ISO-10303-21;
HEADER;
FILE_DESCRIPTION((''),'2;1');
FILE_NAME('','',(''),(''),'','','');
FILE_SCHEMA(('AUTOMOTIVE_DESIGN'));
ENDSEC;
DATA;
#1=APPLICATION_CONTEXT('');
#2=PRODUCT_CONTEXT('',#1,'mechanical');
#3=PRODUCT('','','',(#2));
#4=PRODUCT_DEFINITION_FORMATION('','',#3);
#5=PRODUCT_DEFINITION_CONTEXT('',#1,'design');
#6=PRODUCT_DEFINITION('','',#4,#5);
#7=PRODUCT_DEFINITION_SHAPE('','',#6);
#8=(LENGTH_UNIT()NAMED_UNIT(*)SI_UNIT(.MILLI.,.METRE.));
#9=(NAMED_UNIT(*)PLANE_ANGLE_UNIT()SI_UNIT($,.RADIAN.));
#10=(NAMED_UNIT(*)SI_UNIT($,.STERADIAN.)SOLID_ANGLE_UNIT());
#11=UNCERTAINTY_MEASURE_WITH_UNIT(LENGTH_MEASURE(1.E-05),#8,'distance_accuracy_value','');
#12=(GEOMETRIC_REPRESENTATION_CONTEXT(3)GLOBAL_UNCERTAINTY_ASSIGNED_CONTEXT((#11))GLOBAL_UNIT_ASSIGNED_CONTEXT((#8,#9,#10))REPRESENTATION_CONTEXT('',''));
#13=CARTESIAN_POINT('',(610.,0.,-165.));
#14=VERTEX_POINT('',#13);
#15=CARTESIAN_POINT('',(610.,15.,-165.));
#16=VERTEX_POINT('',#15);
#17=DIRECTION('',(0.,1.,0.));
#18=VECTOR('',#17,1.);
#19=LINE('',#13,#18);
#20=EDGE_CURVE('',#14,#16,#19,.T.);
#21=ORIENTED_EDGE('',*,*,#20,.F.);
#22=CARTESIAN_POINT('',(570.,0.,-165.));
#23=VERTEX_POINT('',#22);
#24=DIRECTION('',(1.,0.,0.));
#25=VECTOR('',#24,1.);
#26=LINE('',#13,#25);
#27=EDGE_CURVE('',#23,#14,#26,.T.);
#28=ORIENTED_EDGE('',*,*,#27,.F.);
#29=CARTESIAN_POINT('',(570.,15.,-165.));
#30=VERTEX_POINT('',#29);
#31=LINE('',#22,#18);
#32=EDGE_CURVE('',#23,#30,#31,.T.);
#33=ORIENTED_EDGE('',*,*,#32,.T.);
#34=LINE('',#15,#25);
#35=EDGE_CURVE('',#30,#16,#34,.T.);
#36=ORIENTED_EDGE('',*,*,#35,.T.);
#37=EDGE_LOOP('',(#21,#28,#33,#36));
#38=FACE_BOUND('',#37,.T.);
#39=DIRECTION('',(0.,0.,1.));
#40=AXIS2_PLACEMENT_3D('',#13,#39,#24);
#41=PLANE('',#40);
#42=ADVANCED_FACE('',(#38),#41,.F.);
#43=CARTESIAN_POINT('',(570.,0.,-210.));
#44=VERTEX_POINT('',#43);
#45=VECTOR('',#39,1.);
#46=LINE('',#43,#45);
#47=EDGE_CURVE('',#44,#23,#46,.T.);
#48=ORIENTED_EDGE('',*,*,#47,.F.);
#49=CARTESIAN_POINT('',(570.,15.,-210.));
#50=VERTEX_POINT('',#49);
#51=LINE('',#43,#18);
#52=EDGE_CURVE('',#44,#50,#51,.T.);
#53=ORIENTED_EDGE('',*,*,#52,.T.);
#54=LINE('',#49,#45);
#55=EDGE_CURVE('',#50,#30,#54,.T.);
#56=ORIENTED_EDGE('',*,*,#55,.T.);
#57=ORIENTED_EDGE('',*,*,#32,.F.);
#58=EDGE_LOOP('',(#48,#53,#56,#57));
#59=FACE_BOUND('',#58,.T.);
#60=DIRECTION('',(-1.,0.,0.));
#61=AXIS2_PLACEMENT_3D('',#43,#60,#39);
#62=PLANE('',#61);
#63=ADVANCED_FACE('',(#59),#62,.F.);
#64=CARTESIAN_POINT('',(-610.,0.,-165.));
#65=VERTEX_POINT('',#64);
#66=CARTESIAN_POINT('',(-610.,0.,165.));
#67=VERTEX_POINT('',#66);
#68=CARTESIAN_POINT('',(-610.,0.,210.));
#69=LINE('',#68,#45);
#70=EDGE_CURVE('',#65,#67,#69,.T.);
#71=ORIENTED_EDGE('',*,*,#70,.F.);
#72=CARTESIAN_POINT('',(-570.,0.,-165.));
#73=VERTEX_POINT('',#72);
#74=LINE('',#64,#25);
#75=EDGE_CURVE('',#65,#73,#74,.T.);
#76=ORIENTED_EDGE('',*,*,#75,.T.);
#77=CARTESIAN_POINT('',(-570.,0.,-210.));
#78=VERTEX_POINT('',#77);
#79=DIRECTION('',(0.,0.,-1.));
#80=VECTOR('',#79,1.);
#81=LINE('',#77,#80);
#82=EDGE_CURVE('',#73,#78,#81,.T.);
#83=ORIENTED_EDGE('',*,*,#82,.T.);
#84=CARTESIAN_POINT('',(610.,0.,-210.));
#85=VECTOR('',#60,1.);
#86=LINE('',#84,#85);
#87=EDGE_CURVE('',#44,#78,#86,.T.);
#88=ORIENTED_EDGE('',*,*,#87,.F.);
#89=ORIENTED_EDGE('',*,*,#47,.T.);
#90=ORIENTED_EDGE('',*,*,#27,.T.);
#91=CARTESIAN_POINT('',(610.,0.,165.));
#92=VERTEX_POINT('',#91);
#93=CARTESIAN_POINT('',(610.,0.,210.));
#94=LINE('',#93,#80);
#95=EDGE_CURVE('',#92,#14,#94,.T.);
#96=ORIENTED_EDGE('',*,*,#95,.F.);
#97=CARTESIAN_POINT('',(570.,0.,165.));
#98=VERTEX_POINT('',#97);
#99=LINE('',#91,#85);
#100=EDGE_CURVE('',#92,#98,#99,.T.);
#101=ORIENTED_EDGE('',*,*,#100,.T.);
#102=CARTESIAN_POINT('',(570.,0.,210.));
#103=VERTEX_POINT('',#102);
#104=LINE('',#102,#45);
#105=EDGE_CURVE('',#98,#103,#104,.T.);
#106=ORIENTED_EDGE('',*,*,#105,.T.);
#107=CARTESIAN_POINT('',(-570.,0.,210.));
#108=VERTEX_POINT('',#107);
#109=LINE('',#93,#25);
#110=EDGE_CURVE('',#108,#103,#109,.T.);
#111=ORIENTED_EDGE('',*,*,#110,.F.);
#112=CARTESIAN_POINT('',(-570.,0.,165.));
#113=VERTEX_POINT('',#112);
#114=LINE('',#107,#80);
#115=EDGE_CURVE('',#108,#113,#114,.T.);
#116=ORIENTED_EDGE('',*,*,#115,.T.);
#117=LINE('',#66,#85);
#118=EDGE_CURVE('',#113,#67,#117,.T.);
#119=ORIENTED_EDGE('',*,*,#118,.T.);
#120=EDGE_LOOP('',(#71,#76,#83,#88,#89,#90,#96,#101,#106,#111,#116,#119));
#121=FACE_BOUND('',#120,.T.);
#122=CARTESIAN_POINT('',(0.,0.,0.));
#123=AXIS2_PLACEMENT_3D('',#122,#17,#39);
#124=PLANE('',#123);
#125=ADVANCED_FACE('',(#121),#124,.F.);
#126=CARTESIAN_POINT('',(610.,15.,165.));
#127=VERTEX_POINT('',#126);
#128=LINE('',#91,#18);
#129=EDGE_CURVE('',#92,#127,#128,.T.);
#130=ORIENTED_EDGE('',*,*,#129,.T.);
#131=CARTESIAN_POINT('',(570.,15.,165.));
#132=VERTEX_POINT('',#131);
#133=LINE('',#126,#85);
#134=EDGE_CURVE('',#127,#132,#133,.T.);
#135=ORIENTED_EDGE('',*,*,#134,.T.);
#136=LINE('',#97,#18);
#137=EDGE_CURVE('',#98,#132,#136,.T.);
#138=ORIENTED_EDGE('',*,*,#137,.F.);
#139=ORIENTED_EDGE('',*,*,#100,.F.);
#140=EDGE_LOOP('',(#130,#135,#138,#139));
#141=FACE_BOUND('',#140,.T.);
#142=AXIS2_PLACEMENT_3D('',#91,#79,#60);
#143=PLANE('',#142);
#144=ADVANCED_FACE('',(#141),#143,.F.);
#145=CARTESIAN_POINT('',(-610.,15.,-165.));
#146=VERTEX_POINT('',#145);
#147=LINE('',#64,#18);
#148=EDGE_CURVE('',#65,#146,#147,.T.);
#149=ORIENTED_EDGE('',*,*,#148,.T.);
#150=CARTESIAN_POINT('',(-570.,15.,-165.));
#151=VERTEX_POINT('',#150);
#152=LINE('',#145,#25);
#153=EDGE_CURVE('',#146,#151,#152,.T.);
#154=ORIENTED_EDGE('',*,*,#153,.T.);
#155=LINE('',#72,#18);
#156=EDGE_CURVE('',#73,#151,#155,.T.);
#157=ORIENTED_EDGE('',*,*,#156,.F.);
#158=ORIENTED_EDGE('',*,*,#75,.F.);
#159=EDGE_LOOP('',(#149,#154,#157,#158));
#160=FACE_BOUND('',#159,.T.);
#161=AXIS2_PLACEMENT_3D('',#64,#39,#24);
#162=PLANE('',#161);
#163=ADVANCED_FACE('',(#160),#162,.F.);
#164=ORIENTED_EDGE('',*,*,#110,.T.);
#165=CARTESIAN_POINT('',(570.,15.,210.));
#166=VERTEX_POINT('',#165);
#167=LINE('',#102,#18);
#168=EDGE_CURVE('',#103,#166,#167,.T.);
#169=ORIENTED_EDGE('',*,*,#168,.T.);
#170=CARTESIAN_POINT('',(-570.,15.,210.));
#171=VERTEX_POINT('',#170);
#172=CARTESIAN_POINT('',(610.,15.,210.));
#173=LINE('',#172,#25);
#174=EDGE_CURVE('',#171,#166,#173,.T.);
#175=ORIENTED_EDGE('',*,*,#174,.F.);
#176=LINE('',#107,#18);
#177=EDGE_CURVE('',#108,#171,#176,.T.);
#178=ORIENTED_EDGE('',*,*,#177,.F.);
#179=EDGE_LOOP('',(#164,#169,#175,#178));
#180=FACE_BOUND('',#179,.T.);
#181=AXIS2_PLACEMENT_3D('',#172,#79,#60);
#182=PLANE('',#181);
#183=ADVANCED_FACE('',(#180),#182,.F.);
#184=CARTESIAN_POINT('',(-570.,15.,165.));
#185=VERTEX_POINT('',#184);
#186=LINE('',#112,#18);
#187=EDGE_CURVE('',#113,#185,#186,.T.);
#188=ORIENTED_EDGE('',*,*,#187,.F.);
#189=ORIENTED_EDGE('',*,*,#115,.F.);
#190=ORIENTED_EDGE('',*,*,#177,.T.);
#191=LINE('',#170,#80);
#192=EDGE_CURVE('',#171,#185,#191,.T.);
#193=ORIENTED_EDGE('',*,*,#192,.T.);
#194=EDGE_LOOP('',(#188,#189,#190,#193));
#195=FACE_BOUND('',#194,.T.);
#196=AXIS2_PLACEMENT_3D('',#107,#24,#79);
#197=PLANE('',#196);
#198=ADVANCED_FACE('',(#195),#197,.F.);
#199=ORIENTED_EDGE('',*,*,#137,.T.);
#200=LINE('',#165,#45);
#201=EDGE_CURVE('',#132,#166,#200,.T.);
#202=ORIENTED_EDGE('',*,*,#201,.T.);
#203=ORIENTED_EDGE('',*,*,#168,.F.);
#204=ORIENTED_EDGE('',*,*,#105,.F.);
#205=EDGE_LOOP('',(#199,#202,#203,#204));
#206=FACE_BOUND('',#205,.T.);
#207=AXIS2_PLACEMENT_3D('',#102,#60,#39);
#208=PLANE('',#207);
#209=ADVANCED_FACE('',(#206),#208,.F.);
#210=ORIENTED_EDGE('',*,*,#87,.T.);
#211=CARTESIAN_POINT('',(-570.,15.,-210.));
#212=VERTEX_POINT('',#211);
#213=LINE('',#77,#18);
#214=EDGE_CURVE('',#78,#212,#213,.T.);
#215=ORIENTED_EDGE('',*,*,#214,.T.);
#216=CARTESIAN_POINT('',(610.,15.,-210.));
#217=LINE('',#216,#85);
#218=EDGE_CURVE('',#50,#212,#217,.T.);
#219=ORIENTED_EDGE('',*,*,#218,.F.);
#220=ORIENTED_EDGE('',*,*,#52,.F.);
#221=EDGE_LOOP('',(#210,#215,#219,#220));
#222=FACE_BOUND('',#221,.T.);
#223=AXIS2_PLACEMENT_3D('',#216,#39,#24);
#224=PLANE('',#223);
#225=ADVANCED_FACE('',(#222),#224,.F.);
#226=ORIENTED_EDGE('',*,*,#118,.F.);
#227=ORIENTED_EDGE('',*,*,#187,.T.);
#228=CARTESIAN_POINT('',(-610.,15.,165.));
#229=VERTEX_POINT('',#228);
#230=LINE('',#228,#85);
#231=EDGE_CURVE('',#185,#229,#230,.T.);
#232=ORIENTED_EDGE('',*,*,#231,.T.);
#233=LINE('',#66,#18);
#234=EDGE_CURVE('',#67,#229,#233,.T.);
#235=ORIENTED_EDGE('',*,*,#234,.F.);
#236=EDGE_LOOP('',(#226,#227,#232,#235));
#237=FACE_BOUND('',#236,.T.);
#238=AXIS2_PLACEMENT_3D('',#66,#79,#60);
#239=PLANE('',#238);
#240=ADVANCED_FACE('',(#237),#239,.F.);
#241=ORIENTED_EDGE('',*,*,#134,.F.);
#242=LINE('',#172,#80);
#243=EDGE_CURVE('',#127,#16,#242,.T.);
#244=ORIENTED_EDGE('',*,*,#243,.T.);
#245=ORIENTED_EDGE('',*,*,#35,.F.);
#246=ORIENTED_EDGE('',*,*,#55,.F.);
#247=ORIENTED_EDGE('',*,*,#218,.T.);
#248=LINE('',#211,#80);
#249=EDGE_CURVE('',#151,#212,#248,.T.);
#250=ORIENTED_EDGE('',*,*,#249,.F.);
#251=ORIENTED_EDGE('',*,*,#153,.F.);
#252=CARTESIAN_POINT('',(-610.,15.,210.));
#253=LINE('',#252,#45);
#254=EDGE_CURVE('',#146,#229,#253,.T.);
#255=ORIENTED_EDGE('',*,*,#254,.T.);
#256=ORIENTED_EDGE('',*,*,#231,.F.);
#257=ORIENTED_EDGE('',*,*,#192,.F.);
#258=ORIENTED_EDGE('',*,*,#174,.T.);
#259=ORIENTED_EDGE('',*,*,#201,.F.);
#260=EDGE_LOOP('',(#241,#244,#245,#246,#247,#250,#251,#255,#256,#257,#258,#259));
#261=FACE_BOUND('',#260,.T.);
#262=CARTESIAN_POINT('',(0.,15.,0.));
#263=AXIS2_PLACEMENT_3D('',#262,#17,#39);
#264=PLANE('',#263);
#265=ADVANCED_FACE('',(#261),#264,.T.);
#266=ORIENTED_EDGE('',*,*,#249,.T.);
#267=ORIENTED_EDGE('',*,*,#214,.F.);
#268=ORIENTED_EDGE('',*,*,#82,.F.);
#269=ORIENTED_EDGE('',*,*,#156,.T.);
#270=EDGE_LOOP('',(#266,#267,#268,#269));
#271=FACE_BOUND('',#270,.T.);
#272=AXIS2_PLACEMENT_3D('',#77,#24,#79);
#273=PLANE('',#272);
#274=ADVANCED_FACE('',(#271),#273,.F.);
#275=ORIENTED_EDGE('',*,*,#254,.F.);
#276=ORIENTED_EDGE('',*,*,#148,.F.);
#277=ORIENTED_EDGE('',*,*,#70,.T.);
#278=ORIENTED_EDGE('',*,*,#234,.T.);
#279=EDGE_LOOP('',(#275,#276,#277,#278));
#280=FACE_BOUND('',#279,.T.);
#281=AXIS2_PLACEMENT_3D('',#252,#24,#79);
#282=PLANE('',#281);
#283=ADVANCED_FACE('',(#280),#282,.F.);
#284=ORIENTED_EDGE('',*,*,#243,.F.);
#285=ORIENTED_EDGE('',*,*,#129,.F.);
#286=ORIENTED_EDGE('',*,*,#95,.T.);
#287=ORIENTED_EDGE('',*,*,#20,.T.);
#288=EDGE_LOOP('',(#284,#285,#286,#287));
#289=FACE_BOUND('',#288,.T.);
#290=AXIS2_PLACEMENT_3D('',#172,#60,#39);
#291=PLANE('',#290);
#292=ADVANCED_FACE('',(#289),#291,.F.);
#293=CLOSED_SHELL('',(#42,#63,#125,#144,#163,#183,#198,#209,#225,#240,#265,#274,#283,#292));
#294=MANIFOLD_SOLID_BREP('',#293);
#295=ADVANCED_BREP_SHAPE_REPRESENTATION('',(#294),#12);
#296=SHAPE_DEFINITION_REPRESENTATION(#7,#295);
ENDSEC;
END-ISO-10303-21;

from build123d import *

# Parameters (mm, degrees)
ESBO_O1_W                = 1220
ESBO_O1_H                = 420
RESSALTO_EXTRUS_O1_DEPTH = 15
ESBO_O2_W                = 40
ESBO_O2_H                = 45
CORTE_EXTRUS_O1_DEPTH    = 15


with BuildPart() as part:
    # Esboço1 → Ressalto-extrusão1 (new body)
    with BuildSketch(Plane(origin=(0, 0, 0), x_dir=(1, 0, 0), z_dir=(0, 1, 0))):
        Rectangle(ESBO_O1_W, ESBO_O1_H)
    extrude(amount=RESSALTO_EXTRUS_O1_DEPTH)

    # Esboço2 → Corte-extrusão1 (cut)
    with BuildSketch(Plane(origin=(0, 15, 0), x_dir=(1, 0, 0), z_dir=(0, 1, 0))):
        with Locations((-590, 187.5)):
            Rectangle(ESBO_O2_W, ESBO_O2_H)
        with Locations((-590, -187.5)):
            Rectangle(ESBO_O2_W, ESBO_O2_H)
        with Locations((590, -187.5)):
            Rectangle(ESBO_O2_W, ESBO_O2_H)
        with Locations((590, 187.5)):
            Rectangle(ESBO_O2_W, ESBO_O2_H)
    extrude(amount=-CORTE_EXTRUS_O1_DEPTH, mode=Mode.SUBTRACT)


solid = part.part
